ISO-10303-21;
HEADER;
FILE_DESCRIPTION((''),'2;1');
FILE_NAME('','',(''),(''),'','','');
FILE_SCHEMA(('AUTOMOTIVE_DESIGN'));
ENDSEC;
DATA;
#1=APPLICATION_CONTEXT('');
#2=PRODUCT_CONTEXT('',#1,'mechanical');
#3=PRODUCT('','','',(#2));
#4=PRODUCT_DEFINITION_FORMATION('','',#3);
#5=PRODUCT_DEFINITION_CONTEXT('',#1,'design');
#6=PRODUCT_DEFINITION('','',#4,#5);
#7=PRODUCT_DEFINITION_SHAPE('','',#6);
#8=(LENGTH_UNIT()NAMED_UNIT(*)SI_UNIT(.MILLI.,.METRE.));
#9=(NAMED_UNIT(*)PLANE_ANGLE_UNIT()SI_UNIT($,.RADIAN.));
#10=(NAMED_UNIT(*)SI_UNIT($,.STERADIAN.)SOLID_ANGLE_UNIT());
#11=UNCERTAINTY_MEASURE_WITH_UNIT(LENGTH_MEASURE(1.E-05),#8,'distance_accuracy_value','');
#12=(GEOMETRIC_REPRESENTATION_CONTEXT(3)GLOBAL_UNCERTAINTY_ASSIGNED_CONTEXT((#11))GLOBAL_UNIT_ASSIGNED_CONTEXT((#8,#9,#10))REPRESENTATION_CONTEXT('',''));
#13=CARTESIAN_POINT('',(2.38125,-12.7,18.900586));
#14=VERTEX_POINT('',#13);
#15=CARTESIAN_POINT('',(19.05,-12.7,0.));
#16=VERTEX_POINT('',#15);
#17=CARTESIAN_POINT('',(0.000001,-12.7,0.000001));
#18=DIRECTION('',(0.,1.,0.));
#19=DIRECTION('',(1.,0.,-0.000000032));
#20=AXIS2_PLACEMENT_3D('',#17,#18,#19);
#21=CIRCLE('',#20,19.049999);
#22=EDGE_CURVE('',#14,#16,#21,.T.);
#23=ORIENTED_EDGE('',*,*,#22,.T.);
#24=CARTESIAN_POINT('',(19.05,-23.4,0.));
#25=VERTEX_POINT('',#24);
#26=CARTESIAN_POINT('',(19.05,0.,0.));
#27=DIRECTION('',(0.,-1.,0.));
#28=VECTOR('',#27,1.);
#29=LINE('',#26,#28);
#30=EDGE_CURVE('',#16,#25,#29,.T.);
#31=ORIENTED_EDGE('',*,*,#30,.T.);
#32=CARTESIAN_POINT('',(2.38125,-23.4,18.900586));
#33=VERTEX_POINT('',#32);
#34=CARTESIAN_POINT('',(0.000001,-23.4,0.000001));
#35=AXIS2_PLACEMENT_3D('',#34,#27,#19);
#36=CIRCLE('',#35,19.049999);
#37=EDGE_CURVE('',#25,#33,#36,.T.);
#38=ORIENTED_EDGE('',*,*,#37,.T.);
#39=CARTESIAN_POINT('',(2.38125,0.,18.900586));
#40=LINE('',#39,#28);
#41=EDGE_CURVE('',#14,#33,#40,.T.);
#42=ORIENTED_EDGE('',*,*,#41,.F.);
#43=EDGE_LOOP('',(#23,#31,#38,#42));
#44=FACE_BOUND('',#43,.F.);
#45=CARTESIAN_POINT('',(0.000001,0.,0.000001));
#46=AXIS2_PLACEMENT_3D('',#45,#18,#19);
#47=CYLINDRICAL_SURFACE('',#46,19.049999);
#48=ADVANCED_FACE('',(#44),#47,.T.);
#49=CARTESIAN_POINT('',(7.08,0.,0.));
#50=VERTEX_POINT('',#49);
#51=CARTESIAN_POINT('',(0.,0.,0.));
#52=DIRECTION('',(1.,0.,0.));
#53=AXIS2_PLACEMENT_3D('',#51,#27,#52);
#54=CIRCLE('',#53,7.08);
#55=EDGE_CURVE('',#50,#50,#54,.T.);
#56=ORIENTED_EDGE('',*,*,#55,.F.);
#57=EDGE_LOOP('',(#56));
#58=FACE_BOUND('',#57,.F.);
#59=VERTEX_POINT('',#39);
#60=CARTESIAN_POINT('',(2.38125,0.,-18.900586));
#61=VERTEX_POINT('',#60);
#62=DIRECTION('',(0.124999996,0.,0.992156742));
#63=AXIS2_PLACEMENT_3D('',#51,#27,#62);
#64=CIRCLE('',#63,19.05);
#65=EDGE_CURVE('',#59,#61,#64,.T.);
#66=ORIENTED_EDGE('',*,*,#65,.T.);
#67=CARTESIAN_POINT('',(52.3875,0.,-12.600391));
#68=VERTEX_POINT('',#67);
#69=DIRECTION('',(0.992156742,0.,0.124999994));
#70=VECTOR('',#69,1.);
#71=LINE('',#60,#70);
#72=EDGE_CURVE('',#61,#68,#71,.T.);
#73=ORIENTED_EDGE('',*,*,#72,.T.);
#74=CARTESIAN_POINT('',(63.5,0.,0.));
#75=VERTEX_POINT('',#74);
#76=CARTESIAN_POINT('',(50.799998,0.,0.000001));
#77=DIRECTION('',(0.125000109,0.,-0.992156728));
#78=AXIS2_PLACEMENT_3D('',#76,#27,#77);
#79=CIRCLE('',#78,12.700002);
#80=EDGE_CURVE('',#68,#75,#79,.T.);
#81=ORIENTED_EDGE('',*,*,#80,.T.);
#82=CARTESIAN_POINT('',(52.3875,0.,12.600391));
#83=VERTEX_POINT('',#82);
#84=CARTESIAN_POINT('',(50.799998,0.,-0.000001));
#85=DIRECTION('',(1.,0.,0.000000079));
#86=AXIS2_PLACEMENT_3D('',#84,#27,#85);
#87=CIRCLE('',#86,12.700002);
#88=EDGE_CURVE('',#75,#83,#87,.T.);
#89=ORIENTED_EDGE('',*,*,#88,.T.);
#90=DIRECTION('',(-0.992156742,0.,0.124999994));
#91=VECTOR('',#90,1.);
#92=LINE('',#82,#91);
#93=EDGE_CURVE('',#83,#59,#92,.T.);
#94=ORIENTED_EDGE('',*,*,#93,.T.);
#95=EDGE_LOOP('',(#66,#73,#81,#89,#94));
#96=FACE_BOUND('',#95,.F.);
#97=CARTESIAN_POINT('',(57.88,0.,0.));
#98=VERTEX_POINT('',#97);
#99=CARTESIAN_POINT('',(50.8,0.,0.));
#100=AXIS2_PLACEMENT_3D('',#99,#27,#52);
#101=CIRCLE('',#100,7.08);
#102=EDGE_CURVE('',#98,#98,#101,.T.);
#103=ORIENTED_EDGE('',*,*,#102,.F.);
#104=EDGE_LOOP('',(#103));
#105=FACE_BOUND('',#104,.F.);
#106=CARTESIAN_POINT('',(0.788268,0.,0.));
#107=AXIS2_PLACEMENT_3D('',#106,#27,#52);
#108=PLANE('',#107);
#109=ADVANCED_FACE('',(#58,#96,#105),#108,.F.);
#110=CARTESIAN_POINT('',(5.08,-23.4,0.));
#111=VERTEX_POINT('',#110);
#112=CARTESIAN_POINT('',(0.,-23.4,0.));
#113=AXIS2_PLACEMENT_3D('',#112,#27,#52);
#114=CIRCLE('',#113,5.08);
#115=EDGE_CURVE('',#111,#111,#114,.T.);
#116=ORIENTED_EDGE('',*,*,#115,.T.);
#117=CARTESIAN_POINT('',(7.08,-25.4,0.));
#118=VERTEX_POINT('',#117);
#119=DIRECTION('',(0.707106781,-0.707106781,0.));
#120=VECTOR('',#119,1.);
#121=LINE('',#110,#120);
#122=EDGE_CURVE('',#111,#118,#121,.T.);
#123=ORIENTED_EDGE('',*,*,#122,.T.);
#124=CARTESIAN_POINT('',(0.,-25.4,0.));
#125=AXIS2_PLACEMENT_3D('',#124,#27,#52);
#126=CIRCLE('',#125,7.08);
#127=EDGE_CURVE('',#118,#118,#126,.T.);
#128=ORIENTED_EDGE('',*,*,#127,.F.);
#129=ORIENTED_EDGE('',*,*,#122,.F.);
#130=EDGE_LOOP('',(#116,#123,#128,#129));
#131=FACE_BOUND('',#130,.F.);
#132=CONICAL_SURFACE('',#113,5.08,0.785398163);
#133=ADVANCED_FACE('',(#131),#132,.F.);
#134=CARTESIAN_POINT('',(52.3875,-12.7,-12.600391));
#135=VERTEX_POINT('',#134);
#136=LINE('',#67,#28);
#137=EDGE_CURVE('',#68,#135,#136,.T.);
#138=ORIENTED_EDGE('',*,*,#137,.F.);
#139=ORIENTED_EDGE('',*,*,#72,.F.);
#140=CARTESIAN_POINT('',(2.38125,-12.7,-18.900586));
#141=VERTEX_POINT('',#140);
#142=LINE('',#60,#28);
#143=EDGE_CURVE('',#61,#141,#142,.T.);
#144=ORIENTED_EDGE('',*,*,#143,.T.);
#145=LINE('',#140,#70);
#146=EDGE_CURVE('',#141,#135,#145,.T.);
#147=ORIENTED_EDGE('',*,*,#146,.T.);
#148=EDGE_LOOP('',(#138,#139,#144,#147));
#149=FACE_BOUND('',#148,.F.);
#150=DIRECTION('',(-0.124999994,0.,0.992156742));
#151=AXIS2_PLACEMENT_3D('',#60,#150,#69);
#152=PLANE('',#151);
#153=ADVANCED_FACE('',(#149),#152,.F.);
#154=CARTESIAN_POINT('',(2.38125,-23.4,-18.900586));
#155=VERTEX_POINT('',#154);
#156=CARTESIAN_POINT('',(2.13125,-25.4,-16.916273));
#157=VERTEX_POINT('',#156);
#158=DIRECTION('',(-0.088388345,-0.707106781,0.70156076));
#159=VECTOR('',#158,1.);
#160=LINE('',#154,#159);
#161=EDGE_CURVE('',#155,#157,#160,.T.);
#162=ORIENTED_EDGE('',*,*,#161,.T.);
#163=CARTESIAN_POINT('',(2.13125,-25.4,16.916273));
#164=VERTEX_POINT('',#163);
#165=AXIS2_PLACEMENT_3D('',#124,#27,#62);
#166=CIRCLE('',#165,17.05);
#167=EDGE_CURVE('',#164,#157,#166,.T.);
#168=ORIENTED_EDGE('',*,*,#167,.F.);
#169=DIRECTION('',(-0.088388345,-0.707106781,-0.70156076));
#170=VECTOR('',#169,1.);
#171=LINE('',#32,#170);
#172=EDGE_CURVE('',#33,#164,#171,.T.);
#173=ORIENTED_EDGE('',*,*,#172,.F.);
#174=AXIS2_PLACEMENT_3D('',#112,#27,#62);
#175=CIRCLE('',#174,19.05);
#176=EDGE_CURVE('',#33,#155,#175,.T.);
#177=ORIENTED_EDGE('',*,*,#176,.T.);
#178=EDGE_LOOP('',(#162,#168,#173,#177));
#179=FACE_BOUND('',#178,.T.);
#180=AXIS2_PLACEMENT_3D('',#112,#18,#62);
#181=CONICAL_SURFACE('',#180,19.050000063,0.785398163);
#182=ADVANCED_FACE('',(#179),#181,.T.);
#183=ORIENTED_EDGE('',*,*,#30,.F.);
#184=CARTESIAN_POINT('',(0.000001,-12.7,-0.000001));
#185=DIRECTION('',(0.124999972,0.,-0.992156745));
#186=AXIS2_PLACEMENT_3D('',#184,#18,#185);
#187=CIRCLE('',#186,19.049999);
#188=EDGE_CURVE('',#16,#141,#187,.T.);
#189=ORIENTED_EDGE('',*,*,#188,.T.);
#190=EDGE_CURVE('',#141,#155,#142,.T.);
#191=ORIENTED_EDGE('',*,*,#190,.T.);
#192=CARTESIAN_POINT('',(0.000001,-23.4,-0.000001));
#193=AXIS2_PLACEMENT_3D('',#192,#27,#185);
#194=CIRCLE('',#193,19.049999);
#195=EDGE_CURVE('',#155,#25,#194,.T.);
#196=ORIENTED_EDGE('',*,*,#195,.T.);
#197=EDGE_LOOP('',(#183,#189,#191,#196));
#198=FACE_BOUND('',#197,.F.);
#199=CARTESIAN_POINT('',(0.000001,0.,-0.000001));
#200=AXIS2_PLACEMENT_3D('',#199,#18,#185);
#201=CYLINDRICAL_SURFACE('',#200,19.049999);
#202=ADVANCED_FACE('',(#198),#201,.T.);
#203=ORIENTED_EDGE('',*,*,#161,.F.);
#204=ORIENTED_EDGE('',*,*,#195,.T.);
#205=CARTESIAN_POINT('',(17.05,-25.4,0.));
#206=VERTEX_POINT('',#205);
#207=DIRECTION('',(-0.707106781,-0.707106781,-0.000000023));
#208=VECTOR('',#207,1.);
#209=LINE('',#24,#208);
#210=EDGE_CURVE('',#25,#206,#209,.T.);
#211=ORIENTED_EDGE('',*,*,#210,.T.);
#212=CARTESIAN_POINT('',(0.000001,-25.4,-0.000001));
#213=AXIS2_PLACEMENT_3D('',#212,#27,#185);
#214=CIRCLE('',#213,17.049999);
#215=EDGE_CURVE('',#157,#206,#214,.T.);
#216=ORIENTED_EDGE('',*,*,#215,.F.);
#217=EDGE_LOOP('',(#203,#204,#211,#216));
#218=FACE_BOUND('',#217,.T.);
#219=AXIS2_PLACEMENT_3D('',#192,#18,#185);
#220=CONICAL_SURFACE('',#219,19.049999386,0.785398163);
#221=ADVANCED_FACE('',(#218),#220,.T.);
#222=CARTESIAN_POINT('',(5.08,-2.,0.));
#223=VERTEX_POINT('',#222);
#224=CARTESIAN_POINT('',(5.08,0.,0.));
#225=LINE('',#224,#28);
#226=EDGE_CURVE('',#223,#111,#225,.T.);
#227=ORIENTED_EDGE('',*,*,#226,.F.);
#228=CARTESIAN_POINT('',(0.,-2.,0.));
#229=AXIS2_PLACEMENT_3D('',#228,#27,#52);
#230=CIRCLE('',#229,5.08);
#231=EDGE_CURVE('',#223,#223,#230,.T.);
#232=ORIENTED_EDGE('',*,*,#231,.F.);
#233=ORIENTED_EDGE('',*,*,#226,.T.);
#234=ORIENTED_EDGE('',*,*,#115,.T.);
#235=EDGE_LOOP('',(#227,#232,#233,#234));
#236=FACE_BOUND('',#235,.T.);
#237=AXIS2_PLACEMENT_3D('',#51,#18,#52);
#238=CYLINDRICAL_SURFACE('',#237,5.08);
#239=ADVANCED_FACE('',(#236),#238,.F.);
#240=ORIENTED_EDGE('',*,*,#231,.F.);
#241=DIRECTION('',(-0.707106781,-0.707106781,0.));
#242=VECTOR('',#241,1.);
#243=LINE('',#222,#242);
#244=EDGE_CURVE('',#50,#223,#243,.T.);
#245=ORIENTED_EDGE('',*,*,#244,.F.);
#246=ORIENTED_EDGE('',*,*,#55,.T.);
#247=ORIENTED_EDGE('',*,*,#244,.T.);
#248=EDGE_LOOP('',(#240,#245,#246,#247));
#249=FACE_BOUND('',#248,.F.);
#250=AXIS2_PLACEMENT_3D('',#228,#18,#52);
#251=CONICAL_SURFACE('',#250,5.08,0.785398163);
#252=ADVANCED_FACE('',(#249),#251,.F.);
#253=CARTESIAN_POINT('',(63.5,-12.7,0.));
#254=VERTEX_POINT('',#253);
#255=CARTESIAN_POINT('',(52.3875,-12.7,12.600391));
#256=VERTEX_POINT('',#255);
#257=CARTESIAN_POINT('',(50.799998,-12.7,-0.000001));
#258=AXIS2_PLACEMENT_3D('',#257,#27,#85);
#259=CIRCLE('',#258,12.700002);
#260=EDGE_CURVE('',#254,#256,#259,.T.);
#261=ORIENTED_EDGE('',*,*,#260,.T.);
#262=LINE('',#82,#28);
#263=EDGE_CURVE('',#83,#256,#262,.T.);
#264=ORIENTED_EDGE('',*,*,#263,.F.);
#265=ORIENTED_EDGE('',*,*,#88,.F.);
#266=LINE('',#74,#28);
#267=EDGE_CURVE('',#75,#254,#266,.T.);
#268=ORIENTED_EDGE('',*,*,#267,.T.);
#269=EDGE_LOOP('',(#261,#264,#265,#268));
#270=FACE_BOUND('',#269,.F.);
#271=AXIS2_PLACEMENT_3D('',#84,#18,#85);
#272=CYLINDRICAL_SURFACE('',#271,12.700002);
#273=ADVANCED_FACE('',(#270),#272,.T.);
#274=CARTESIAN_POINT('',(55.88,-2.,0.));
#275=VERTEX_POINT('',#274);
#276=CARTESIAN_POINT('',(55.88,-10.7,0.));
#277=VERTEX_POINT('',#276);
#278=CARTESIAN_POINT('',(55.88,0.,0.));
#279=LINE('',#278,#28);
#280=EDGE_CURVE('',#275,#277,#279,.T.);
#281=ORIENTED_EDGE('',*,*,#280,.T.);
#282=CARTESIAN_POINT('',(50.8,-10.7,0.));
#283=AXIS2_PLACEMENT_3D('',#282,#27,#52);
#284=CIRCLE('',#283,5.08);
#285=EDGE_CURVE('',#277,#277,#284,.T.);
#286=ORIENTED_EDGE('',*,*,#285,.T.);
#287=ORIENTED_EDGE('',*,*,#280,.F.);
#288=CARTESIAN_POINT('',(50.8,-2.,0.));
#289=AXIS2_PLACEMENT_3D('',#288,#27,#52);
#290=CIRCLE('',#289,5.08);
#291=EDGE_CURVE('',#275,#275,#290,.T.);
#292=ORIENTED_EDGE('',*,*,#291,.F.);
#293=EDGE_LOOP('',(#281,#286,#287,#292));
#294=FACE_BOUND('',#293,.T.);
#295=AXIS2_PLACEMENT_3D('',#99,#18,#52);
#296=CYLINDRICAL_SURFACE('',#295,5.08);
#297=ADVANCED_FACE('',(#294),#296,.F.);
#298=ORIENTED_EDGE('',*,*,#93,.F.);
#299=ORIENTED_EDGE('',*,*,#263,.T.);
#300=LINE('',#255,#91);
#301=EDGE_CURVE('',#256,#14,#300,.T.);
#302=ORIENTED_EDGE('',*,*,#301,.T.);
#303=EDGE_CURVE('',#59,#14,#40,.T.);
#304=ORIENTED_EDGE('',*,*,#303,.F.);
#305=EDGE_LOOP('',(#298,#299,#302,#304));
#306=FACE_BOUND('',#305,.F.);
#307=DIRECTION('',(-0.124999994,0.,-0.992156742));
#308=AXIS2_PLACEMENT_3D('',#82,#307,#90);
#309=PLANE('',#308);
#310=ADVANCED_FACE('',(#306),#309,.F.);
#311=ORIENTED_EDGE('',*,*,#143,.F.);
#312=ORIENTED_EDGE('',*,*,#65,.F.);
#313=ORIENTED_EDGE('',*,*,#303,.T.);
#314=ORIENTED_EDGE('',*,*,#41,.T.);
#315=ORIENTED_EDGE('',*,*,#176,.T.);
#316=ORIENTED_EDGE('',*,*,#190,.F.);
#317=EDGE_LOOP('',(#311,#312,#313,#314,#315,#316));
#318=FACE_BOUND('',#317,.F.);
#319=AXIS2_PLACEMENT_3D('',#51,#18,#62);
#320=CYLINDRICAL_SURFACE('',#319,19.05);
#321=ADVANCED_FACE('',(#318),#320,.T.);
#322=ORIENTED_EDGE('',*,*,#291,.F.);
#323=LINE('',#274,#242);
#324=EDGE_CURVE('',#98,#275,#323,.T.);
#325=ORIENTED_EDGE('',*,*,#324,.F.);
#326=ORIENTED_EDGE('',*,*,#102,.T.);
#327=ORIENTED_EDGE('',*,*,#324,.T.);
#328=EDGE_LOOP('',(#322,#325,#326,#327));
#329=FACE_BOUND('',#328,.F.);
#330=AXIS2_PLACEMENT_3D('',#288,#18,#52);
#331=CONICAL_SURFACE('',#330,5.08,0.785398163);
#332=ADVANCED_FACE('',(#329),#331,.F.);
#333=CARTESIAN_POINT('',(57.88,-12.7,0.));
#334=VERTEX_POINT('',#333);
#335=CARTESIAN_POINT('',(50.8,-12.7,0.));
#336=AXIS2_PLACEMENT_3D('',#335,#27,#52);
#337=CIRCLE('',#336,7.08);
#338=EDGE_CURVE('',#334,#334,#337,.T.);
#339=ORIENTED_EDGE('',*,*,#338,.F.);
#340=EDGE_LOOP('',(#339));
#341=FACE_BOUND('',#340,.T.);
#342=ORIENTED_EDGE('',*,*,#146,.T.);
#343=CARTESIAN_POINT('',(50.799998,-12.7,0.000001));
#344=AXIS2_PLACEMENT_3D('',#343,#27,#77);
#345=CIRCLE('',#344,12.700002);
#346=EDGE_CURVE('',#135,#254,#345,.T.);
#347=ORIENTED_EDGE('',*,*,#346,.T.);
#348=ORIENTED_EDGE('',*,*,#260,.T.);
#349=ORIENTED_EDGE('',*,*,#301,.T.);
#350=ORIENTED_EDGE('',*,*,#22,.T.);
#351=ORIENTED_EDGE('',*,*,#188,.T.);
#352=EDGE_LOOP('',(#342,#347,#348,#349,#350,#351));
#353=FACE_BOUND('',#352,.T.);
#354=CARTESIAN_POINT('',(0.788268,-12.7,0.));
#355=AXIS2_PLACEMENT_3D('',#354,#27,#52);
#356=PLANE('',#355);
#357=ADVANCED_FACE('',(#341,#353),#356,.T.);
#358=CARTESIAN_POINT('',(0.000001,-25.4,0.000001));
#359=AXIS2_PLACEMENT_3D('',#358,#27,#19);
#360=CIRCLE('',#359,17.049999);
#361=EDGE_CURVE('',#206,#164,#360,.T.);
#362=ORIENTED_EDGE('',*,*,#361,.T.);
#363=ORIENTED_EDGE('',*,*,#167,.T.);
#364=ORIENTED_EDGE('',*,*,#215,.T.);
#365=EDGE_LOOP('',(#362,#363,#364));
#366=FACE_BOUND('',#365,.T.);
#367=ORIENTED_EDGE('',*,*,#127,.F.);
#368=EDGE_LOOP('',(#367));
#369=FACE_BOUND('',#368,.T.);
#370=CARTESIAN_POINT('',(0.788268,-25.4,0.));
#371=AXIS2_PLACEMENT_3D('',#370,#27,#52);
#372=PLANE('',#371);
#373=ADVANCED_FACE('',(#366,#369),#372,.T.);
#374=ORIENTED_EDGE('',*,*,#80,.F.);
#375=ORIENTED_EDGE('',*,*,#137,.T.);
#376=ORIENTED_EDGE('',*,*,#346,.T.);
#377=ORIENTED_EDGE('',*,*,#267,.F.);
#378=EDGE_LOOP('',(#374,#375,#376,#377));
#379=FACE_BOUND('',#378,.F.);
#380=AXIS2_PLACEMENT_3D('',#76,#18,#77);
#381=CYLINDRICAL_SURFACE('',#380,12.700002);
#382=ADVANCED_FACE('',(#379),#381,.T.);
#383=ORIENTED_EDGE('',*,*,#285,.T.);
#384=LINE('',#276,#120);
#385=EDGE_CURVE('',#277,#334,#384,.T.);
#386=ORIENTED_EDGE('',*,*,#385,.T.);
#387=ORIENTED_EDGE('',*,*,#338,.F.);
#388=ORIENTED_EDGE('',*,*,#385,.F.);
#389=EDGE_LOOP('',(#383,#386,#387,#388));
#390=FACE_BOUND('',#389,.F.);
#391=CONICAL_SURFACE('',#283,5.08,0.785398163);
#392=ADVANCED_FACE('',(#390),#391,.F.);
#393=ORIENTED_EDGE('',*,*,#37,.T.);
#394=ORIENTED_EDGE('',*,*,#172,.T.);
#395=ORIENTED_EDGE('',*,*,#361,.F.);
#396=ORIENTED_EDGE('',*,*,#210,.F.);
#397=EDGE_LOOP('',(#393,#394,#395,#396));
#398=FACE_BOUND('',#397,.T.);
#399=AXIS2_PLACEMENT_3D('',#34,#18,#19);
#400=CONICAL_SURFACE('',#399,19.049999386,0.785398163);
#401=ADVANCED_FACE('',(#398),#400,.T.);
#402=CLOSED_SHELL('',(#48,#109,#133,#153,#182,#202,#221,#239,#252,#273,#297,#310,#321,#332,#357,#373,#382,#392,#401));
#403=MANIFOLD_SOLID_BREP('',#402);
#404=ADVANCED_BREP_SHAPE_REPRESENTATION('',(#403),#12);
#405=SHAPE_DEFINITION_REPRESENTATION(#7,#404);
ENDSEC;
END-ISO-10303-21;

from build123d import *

# Parameters (mm, degrees)
F0_R     = 5.08
F1_DEPTH = 12.7
F2_DEPTH = 25.4
F3_SIZE  = 2


with BuildPart() as f1:
    # F0 (on Front) → F1 (new body)
    with BuildSketch(Plane.XZ):
        with BuildLine():
            ThreePointArc((2.38125, -18.900586), (14.2875, -12.600391), (19.05, 0))
            ThreePointArc((19.05, 0), (14.2875, 12.600391), (2.38125, 18.900586))
            ThreePointArc((2.38125, 18.900586), (-19.05, 0), (2.38125, -18.900586))
        make_face()
        Circle(F0_R, mode=Mode.SUBTRACT)
        with BuildLine():
            ThreePointArc((2.38125, 18.900586), (14.2875, 12.600391), (19.05, 0))
            ThreePointArc((19.05, 0), (14.2875, -12.600391), (2.38125, -18.900586))
            Line((2.38125, -18.900586), (52.3875, -12.600391))
            ThreePointArc((52.3875, -12.600391), (38.1, 0), (52.3875, 12.600391))
            Line((52.3875, 12.600391), (2.38125, 18.900586))
        make_face()
        with BuildLine():
            ThreePointArc((63.5, 0), (60.325, 8.40026), (52.3875, 12.600391))
            ThreePointArc((52.3875, 12.600391), (38.1, 0), (52.3875, -12.600391))
            ThreePointArc((52.3875, -12.600391), (60.325, -8.40026), (63.5, 0))
        make_face()
        with Locations((50.8, 0)):
            Circle(F0_R, mode=Mode.SUBTRACT)
    extrude(amount=F1_DEPTH)

    # F0 (on Front) → F2 (join)
    with BuildSketch(Plane.XZ):
        with BuildLine():
            ThreePointArc((2.38125, -18.900586), (14.2875, -12.600391), (19.05, 0))
            ThreePointArc((19.05, 0), (14.2875, 12.600391), (2.38125, 18.900586))
            ThreePointArc((2.38125, 18.900586), (-19.05, 0), (2.38125, -18.900586))
        make_face()
        Circle(F0_R, mode=Mode.SUBTRACT)
    extrude(amount=F2_DEPTH)

    # F3
    f3_edges = [f1.edges().sort_by_distance(p)[0] for p in [
        (-5.08, -25.4, 0),
        (-2.38125, -25.4, 18.900586),
        (45.72, -12.7, 0),
        (-5.08, 0, 0),
        (45.72, 0, 0),
    ]]
    chamfer(f3_edges, length=F3_SIZE)


solid = f1.part
